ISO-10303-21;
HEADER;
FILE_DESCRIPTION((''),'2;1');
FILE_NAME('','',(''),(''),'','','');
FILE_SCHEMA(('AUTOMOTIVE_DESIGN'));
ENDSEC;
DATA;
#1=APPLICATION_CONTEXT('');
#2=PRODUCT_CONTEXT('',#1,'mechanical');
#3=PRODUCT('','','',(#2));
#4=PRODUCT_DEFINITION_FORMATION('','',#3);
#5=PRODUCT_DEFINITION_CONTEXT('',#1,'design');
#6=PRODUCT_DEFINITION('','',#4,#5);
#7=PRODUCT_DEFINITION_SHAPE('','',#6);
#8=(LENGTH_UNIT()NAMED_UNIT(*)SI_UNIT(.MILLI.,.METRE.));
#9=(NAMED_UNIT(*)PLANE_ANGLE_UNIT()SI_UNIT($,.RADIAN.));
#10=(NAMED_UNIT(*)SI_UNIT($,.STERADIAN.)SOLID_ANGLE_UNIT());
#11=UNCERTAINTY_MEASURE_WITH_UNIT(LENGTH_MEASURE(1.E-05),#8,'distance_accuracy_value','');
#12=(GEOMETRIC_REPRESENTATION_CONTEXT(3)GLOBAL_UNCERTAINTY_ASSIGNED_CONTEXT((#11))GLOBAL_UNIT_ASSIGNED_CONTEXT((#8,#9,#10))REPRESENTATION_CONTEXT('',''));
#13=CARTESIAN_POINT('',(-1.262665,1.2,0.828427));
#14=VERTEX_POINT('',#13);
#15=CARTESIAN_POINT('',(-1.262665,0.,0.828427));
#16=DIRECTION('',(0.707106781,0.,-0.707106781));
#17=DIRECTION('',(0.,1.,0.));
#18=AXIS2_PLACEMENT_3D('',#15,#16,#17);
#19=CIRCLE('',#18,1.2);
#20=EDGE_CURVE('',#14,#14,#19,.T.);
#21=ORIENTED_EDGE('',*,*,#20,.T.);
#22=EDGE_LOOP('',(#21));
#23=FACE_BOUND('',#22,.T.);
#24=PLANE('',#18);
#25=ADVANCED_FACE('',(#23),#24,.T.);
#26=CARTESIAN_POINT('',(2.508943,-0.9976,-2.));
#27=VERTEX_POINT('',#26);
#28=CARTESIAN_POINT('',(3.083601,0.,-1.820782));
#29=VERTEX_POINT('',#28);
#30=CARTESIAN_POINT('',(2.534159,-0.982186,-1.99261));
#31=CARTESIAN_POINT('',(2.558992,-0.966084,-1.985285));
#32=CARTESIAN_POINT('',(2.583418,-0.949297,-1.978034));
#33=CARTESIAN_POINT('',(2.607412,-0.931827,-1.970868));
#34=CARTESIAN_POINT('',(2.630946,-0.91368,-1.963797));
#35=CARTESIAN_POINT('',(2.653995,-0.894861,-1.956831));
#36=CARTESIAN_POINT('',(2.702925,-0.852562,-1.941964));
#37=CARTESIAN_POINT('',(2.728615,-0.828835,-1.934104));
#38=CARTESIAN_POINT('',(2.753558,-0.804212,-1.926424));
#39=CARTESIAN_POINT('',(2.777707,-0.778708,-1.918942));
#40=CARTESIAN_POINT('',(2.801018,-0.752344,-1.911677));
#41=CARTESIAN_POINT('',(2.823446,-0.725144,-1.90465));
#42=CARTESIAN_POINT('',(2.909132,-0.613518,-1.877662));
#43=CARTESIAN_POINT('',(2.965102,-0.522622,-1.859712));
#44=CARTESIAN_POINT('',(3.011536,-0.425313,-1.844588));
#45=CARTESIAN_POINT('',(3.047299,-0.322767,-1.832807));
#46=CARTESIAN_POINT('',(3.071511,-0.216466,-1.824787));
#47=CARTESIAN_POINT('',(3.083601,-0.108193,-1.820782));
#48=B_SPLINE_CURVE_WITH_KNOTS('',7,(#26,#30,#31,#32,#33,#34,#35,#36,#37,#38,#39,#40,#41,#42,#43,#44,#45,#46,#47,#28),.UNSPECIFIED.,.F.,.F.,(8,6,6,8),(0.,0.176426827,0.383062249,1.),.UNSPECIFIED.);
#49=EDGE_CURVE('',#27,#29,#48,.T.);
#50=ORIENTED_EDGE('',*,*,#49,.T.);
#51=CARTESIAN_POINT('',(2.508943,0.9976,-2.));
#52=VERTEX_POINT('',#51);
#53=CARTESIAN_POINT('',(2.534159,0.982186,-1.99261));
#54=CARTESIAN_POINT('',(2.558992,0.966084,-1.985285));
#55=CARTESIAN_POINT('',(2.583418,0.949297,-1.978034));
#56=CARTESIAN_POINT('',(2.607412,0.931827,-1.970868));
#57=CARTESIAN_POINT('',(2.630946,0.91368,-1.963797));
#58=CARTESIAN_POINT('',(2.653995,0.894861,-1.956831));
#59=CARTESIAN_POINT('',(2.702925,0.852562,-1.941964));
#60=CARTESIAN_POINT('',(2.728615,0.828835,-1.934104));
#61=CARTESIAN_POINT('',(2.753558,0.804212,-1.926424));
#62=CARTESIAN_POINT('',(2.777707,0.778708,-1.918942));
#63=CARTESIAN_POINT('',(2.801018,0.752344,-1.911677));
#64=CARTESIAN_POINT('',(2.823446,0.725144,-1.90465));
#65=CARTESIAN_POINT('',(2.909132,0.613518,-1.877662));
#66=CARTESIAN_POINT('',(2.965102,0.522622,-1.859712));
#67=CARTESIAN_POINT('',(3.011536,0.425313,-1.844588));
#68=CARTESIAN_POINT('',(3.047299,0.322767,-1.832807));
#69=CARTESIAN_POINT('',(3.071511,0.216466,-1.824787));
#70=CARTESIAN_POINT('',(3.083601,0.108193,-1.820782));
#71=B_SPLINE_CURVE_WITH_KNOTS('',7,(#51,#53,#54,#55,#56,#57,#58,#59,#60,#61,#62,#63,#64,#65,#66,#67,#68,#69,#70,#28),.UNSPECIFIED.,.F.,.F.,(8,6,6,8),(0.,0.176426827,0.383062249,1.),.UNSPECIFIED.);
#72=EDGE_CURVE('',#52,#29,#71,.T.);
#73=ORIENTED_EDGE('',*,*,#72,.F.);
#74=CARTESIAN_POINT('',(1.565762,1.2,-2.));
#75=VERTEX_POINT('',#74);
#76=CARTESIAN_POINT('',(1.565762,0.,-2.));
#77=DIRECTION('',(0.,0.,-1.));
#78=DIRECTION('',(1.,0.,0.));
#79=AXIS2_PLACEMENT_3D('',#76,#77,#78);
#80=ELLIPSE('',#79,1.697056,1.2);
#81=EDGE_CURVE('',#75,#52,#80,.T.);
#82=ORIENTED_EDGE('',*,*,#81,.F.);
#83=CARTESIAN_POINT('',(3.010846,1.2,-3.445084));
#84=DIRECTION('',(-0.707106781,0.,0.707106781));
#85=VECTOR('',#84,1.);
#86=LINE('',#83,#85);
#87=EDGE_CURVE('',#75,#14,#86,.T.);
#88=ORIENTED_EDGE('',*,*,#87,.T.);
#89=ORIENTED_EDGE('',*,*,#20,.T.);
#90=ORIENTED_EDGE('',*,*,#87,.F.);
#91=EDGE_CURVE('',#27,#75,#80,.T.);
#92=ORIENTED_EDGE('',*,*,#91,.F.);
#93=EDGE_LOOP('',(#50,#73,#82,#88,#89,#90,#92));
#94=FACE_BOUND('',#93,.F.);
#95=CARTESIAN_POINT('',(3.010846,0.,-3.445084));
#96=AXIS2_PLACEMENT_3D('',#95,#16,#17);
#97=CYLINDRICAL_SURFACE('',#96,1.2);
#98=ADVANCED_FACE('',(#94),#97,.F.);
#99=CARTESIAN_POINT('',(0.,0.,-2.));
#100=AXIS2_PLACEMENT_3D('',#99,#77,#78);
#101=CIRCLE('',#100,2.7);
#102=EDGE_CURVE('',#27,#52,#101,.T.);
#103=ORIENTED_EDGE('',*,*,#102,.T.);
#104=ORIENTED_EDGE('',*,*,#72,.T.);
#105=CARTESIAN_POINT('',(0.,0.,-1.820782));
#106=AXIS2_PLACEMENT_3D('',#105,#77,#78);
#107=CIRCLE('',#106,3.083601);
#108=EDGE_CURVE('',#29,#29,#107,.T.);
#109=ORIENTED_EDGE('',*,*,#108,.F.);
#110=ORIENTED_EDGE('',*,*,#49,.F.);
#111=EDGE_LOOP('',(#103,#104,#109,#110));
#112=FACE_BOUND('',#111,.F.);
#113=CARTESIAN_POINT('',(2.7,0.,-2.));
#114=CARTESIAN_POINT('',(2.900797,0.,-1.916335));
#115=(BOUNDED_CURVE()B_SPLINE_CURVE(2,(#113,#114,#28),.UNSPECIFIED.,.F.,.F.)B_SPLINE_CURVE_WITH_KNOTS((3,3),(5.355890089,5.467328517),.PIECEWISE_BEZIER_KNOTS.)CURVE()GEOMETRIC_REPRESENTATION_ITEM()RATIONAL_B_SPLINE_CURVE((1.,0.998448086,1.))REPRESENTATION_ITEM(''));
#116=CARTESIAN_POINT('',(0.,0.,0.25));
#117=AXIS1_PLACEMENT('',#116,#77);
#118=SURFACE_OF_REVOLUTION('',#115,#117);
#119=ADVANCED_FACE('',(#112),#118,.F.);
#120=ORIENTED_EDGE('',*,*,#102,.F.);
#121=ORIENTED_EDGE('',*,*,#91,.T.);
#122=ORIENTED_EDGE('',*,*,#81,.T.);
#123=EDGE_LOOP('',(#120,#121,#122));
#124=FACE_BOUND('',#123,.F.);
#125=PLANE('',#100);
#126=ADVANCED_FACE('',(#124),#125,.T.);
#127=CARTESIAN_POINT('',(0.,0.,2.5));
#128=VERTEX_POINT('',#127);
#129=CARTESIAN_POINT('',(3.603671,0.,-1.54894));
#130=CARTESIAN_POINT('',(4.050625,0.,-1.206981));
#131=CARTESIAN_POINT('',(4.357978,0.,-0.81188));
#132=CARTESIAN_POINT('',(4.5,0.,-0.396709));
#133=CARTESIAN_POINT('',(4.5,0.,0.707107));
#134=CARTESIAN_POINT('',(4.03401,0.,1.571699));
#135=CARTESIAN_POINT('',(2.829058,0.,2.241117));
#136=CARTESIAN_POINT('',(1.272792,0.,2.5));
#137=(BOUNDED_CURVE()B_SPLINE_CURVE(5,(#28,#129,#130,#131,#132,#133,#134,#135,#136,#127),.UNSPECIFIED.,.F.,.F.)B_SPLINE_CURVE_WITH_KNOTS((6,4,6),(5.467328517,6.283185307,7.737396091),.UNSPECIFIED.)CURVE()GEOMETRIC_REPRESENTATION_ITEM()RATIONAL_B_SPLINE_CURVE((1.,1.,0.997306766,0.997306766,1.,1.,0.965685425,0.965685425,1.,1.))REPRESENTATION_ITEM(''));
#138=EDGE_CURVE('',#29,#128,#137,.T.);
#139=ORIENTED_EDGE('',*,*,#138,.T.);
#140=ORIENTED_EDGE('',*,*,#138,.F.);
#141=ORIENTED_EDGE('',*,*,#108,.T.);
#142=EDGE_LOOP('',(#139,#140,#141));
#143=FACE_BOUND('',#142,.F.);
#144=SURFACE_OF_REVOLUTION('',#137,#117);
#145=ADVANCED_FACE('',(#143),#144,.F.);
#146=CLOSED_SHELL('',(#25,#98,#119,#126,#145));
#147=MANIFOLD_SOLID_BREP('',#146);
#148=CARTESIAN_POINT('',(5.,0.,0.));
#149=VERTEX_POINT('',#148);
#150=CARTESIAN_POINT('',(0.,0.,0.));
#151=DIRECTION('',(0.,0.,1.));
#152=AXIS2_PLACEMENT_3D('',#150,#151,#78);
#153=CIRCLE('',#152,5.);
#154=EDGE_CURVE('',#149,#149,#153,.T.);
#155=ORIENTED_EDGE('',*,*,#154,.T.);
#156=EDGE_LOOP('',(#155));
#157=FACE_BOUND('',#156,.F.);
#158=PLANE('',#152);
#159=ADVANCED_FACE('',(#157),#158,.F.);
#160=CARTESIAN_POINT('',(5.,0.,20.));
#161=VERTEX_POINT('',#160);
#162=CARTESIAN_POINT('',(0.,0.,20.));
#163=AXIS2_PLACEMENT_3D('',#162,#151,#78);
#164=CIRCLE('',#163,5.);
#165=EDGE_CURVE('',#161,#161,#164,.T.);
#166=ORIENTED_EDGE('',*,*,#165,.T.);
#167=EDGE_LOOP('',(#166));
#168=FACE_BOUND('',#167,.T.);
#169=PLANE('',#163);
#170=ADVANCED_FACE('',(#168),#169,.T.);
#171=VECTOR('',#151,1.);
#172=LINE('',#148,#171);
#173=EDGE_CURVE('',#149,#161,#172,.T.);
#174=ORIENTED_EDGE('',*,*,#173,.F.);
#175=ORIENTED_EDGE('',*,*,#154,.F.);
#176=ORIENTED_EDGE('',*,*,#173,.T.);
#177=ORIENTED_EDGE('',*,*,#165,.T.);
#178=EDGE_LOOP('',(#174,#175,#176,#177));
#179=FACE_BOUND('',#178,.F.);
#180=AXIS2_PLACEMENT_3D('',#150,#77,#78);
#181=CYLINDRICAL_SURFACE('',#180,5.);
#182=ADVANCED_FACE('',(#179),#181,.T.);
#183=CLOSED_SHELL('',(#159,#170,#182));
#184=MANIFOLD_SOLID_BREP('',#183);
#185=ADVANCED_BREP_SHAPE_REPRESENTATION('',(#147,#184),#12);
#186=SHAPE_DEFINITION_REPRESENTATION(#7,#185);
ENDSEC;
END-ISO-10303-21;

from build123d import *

# Parameters (mm, degrees)
F3_R     = 1.2
F4_DEPTH = 6.0436568389
F5_R     = 5
F6_DEPTH = 20


with BuildPart() as f1:
    # F0 (on Front) → F1 (revolve)
    with BuildSketch(Plane.XZ):
        with BuildLine():
            add(Edge.make_bspline(
                [(2.7, -2), (2.9007970127, -1.916334578), (3.0836008504, -1.8207824423)],
                knots=[5.3558900892, 5.3558900892, 5.3558900892, 5.4673285167, 5.4673285167, 5.4673285167], degree=2, weights=[1, 0.9984480862, 1]))
            Line((3.0836008504, -1.8207824423), (0, 1.262818408))
            Line((0, 1.262818408), (0, -2))
            Line((0, -2), (2.7, -2))
        make_face()
        with BuildLine():
            add(Edge.make_bspline(
                [(3.0836008504, -1.8207824423), (4.5, -1.0804261923), (4.5, 0)],
                knots=[5.4673285167, 5.4673285167, 5.4673285167, 6.2831853072, 6.2831853072, 6.2831853072], degree=2, weights=[1, 0.9179446153, 1]))
            add(Edge.make_bspline(
                [(4.5, 0), (4.5, 2.5), (0, 2.5)],
                knots=[0, 0, 0, 1.5707963268, 1.5707963268, 1.5707963268], degree=2, weights=[1, 0.7071067812, 1]))
            Line((0, 2.5), (0, 1.262818408))
            Line((0, 1.262818408), (3.0836008504, -1.8207824423))
        make_face()
    revolve(axis=Axis((0, 0, 0.25), (0, 0, -1)))

    # F3 (on line) → F4 (cut, through all)
    with BuildSketch(Plane(origin=(3.2279646758, 0, -3.2279646758), x_dir=(0, 1, 0), z_dir=(0.7071067812, 0, -0.7071067812))):
        with Locations((0, -0.3070525403)):
            Circle(F3_R)
    extrude(amount=-F4_DEPTH, mode=Mode.SUBTRACT)


with BuildPart() as f6:
    # F5 (on Top) → F6 (new body)
    with BuildSketch(Plane.XY):
        Circle(F5_R)
    extrude(amount=F6_DEPTH)


solid = Compound([f1.part, f6.part])
